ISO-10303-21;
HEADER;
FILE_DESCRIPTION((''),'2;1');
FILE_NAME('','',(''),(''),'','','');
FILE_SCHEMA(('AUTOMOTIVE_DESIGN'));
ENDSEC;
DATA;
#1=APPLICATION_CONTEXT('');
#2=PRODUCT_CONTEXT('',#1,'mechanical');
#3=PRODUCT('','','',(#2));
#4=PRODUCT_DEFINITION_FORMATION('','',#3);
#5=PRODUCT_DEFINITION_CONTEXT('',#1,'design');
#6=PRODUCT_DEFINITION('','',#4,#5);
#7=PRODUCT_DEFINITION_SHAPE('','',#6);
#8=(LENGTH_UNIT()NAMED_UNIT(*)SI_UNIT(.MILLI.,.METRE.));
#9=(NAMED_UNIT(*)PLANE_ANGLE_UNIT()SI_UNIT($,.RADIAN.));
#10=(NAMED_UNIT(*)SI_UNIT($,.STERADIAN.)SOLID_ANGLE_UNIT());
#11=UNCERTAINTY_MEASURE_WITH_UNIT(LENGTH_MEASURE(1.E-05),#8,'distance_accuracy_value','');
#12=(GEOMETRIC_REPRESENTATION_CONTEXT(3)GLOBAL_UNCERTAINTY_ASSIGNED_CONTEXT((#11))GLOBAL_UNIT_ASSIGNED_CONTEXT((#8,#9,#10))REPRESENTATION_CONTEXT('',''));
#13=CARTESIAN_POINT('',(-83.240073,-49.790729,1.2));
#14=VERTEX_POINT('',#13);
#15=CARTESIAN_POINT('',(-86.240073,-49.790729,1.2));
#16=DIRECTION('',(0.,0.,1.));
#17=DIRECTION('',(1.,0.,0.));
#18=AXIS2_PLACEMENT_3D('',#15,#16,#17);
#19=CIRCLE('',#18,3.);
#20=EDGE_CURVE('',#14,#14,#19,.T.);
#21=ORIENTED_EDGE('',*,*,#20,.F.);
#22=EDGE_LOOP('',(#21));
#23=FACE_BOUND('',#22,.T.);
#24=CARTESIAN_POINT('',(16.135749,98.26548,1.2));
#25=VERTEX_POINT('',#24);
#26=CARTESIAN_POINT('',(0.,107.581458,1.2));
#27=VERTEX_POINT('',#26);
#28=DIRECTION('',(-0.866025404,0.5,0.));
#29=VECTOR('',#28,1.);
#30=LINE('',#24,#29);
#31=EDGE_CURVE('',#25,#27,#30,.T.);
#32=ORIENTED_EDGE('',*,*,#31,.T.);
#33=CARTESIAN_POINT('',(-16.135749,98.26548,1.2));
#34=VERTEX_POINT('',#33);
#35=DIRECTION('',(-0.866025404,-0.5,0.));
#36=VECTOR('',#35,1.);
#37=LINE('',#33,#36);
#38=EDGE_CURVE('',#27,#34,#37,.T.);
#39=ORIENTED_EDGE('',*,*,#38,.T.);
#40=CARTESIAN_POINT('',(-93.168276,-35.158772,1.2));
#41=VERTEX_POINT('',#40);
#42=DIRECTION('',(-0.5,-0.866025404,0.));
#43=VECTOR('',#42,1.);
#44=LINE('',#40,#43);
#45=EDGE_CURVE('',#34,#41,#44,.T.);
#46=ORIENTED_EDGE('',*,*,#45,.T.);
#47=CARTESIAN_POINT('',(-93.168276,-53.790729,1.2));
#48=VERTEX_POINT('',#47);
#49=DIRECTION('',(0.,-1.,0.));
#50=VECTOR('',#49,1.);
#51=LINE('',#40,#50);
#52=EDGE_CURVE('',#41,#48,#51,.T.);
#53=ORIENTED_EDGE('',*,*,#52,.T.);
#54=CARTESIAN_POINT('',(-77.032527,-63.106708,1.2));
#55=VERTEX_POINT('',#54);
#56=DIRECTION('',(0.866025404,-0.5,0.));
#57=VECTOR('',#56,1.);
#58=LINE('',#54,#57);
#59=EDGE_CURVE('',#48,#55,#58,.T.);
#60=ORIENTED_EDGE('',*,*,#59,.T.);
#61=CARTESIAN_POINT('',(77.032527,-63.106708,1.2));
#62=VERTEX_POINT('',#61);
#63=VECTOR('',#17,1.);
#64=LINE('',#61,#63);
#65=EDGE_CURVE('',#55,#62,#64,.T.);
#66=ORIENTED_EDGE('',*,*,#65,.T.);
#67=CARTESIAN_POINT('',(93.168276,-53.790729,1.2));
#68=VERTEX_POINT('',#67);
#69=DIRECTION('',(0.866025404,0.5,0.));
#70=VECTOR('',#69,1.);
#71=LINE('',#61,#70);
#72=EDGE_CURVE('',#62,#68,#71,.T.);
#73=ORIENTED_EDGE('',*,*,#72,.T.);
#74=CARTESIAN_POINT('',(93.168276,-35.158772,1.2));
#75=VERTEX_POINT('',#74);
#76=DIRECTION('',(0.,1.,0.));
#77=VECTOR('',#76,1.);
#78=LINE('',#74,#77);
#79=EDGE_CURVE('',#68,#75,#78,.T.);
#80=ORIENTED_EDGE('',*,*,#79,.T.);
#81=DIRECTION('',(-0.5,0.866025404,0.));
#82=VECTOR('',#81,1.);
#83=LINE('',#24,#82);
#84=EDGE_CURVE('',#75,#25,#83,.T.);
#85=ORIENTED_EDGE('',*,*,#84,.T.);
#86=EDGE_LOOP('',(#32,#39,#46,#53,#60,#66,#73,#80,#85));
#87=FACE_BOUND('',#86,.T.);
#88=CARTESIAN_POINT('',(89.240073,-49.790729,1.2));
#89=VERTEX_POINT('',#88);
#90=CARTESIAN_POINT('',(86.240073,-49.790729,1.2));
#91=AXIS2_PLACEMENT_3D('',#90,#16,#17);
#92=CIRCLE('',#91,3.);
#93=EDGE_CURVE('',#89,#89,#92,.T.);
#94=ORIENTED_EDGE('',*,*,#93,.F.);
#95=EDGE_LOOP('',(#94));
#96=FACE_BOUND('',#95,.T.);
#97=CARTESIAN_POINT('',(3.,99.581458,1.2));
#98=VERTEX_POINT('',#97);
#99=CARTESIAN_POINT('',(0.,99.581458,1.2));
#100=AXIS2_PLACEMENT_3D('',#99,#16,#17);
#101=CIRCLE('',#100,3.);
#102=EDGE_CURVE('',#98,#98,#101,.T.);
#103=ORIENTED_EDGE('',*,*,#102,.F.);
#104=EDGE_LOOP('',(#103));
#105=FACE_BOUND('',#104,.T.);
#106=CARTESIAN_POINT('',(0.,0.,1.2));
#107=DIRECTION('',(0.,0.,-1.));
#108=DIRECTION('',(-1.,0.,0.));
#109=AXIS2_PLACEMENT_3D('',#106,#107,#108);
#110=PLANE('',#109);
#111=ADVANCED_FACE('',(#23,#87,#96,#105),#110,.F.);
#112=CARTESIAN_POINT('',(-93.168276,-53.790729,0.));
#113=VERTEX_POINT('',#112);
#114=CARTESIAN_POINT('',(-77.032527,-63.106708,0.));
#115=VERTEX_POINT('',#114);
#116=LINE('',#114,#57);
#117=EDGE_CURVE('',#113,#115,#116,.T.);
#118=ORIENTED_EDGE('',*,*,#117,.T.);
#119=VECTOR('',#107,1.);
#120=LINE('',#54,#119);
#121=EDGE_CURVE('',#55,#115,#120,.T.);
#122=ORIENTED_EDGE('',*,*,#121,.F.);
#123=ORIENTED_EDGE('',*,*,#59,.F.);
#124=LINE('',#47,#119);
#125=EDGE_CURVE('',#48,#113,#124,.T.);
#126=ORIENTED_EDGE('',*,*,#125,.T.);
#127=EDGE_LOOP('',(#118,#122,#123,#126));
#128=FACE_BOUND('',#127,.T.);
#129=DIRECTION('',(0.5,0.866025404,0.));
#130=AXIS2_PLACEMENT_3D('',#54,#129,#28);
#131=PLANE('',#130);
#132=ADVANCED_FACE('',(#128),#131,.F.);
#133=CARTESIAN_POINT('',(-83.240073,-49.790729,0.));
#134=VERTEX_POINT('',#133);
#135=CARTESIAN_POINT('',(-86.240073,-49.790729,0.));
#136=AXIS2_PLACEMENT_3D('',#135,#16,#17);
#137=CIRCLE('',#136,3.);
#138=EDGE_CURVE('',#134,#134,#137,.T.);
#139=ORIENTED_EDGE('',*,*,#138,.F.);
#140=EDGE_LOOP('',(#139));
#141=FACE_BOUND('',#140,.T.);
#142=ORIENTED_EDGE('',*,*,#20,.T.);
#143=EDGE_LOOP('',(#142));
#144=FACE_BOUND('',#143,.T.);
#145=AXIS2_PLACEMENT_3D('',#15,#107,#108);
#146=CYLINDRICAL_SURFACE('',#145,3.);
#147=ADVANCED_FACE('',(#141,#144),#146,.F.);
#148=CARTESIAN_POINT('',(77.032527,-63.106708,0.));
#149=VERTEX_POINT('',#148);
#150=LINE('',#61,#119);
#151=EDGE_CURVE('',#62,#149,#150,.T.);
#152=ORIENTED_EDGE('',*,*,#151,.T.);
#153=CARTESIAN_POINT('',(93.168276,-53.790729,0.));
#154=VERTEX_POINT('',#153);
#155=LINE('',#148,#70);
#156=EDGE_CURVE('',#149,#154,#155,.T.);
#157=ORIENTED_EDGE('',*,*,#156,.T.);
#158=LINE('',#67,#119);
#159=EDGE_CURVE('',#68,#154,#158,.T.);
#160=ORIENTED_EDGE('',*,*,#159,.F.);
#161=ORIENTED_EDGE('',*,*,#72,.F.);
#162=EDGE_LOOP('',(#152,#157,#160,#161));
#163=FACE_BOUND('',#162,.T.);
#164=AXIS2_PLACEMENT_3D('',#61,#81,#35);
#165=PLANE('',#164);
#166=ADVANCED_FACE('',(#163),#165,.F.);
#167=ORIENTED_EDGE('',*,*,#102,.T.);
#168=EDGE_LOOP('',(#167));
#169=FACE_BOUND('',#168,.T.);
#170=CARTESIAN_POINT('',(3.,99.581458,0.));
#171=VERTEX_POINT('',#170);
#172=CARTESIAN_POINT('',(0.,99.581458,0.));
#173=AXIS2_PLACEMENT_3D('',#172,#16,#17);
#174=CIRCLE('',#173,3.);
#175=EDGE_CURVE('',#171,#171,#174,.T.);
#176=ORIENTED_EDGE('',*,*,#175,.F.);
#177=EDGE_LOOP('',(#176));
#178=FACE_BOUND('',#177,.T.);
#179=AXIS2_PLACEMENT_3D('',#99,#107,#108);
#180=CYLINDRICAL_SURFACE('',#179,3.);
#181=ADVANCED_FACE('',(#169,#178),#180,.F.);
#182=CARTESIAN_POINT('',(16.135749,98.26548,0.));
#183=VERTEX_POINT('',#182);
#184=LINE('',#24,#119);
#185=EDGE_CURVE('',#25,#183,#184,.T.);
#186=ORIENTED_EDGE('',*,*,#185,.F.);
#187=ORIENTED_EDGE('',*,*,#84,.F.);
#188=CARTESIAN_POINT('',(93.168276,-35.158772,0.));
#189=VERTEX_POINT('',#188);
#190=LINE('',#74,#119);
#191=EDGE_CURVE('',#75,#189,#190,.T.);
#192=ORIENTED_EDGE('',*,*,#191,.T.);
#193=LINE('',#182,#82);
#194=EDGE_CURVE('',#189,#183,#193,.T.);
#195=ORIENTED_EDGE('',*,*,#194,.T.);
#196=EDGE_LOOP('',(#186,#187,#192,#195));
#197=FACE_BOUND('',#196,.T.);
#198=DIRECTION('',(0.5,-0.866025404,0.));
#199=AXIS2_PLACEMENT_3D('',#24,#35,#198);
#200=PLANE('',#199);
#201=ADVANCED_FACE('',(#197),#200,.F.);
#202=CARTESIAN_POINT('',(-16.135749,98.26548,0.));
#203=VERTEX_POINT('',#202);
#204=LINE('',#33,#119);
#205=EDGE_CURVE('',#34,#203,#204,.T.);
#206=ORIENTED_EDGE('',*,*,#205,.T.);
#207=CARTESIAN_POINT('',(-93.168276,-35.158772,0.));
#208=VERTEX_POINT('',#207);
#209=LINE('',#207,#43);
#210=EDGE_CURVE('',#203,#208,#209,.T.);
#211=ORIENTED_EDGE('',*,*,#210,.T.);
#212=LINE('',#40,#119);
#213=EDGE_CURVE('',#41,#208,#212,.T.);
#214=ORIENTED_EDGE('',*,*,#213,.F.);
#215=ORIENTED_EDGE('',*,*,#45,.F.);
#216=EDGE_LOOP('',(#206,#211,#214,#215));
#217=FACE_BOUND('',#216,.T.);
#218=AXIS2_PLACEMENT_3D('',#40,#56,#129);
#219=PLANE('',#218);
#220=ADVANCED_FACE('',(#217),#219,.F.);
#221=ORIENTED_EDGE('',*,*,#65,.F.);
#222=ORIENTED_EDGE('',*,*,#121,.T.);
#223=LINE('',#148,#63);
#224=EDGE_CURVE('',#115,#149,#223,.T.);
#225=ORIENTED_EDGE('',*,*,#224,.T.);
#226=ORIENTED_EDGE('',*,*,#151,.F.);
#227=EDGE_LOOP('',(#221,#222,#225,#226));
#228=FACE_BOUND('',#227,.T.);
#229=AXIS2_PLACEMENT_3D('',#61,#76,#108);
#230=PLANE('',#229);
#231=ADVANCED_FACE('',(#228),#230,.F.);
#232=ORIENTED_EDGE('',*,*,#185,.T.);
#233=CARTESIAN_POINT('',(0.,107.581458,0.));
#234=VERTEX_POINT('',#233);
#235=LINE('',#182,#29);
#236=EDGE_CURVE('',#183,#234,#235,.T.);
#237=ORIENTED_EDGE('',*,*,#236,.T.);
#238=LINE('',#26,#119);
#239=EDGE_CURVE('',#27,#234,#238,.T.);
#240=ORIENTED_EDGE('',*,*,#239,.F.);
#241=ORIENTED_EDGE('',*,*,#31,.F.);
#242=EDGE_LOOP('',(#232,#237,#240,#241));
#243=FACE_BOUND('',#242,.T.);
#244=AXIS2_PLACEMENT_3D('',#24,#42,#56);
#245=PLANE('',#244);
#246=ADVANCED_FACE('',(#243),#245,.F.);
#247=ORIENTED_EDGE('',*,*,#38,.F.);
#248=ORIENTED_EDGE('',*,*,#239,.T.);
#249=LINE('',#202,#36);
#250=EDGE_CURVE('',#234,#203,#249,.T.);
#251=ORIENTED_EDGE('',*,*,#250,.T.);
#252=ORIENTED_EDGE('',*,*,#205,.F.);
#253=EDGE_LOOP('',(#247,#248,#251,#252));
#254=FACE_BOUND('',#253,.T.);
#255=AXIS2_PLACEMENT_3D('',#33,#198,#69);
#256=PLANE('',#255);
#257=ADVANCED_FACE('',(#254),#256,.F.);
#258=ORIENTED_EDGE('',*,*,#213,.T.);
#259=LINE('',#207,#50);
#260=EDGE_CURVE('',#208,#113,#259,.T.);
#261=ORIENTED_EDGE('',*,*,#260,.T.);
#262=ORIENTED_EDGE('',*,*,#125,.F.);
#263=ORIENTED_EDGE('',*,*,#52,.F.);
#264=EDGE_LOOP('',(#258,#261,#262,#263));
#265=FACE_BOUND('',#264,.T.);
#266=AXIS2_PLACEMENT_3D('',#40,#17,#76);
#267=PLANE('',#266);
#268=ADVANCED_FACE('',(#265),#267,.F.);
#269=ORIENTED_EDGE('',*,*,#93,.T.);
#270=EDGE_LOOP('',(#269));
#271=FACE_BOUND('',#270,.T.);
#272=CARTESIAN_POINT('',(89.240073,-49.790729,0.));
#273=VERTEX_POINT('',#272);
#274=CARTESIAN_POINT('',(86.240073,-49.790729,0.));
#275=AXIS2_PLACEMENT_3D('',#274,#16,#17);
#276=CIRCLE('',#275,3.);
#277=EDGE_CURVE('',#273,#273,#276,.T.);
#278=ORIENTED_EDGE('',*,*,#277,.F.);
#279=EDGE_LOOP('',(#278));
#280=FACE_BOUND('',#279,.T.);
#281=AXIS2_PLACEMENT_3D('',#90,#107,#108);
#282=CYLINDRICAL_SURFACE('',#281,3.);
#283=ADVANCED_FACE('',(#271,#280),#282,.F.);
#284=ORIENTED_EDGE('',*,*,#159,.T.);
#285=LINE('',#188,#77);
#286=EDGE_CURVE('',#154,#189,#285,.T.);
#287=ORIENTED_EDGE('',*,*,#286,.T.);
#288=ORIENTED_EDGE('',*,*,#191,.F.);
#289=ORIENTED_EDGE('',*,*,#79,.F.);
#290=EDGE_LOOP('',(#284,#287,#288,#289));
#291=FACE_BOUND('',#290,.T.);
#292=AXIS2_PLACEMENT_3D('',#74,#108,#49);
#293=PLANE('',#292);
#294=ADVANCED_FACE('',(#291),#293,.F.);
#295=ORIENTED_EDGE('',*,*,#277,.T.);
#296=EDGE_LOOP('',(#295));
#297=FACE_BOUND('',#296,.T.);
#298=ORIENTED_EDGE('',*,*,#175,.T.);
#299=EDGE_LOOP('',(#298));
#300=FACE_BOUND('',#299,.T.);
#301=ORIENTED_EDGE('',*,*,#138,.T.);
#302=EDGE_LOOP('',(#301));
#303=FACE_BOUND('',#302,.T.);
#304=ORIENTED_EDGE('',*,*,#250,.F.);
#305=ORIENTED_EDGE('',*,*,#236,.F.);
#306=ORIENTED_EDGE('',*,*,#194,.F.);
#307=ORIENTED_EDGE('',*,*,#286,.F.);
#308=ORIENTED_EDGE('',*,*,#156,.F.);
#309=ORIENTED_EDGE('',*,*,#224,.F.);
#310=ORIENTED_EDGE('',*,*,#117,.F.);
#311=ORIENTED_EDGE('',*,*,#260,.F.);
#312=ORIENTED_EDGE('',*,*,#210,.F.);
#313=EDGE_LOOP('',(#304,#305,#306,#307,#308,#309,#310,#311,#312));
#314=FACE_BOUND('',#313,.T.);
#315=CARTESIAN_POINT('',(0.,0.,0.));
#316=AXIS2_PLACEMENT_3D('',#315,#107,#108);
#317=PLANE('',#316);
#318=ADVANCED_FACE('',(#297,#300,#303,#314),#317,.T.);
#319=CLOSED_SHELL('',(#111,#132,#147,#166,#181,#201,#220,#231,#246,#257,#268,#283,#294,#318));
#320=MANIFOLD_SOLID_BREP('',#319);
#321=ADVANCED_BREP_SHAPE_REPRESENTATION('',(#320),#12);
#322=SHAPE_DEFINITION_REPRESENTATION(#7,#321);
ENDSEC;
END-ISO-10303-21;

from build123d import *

# Parameters (mm, degrees)
ESQUISSE1_R        = 3
BOSS_EXTRU_1_DEPTH = 1.2


with BuildPart() as part:
    # Esquisse1 → Boss.-Extru.1 (new body)
    with BuildSketch(Plane.XY):
        Polygon((-77.032527304, -63.106708073), (-93.168275992, -53.790729224), (-93.168275992, -35.158771527), (-16.135748688, 98.265479599), (0, 107.581458448), (16.135748688, 98.265479599), (93.168275992, -35.158771527), (93.168275992, -53.790729224), (77.032527304, -63.106708073), align=None)
        with Locations((-86.240072762, -49.790729224)):
            Circle(ESQUISSE1_R, mode=Mode.SUBTRACT)
        with Locations((0, 99.581458448)):
            Circle(ESQUISSE1_R, mode=Mode.SUBTRACT)
        with Locations((86.240072762, -49.790729224)):
            Circle(ESQUISSE1_R, mode=Mode.SUBTRACT)
    extrude(amount=BOSS_EXTRU_1_DEPTH)


solid = part.part
